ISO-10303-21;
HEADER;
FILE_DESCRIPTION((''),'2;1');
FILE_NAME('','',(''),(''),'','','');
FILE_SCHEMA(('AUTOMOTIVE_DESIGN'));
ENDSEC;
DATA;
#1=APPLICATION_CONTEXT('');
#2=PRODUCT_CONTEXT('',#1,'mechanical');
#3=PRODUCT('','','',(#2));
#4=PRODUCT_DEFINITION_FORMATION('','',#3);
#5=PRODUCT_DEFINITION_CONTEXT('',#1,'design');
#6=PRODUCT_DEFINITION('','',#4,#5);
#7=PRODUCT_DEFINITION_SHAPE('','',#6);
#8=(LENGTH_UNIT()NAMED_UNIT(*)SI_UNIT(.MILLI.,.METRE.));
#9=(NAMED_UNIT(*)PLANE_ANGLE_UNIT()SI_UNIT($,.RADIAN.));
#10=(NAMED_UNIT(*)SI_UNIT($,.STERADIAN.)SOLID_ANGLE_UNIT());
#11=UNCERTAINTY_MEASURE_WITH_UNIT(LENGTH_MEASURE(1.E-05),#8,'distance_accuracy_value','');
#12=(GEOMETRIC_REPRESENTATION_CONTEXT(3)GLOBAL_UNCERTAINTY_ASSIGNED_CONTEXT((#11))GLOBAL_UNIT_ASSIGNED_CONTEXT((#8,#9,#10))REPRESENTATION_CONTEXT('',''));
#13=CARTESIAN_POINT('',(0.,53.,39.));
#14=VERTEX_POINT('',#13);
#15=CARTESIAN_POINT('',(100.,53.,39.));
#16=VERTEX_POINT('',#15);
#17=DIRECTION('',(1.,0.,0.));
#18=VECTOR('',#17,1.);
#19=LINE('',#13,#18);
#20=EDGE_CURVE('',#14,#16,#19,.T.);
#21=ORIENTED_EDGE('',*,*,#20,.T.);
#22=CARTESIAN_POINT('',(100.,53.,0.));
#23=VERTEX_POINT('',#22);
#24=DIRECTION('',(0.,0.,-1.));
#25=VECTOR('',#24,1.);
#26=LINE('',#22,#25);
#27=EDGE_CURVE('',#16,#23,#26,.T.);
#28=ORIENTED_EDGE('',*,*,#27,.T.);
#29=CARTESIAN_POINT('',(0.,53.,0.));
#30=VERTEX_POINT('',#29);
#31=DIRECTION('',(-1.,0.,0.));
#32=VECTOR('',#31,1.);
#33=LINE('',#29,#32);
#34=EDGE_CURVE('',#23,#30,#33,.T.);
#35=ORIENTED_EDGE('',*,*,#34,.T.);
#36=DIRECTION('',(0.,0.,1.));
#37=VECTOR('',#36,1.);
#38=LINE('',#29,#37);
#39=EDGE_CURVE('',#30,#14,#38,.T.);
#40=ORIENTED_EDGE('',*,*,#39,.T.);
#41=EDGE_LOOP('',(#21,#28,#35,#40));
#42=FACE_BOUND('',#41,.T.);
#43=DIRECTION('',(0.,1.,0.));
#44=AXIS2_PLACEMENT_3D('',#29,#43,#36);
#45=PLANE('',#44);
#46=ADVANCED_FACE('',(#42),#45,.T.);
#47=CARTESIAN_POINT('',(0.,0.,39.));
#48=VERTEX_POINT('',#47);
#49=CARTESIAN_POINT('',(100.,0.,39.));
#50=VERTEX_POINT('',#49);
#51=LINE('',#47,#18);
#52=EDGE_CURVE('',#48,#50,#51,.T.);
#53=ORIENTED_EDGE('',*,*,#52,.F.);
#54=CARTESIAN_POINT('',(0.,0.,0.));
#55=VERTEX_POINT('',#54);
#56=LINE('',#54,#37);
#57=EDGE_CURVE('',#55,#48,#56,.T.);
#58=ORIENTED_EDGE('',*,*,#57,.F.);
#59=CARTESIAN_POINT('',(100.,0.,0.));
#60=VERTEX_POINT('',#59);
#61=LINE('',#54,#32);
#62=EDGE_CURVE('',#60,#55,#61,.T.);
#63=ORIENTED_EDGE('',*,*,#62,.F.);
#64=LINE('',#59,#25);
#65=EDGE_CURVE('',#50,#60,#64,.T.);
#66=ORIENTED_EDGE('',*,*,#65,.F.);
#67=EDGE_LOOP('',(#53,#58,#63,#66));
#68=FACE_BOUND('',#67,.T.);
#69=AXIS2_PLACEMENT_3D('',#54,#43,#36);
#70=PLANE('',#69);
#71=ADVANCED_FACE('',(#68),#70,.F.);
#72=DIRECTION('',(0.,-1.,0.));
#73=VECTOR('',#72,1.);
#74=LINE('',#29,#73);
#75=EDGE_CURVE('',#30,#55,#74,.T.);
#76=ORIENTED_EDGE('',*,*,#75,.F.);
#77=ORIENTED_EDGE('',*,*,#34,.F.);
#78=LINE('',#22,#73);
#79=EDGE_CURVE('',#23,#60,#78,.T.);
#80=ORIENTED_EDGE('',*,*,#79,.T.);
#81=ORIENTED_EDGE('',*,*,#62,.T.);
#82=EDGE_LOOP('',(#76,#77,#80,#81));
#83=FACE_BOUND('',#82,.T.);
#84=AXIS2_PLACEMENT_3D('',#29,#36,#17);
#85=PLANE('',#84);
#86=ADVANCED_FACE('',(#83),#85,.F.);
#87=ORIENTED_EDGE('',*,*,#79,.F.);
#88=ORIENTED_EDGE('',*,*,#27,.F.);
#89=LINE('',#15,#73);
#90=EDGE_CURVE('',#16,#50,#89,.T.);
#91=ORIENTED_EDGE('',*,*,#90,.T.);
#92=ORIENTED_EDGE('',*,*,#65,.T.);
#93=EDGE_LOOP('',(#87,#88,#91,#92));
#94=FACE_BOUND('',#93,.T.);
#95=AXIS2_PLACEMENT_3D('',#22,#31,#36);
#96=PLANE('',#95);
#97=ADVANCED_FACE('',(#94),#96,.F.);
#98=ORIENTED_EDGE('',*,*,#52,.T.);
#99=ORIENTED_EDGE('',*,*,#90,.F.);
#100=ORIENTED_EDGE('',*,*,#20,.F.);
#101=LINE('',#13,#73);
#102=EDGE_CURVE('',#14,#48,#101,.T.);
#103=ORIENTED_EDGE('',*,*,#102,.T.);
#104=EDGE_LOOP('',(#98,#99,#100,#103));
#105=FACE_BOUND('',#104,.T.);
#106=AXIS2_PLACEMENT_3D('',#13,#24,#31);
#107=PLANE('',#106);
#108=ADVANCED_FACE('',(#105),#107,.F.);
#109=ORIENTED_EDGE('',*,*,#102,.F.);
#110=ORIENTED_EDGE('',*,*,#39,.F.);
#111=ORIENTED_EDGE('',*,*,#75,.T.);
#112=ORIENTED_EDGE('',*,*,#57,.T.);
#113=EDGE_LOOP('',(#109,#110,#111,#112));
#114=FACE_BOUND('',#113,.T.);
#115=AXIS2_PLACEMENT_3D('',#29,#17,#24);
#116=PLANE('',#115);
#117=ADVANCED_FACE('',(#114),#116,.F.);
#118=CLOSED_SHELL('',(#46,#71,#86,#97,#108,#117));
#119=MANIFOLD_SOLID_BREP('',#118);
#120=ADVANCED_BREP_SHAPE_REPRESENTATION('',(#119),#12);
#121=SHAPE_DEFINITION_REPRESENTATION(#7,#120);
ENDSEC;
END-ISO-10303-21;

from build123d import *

# Parameters (mm, degrees)
SKETCH_1_W      = 100
SKETCH_1_H      = 39
EXTRUDE_1_DEPTH = 53


with BuildPart() as part:
    # 草图1 → 凸台-拉伸1 (new body)
    with BuildSketch(Plane(origin=(0, 0, 0), x_dir=(1, 0, 0), z_dir=(0, 1, 0))):
        with Locations((50, -19.5)):
            Rectangle(SKETCH_1_W, SKETCH_1_H)
    extrude(amount=EXTRUDE_1_DEPTH)


solid = part.part
